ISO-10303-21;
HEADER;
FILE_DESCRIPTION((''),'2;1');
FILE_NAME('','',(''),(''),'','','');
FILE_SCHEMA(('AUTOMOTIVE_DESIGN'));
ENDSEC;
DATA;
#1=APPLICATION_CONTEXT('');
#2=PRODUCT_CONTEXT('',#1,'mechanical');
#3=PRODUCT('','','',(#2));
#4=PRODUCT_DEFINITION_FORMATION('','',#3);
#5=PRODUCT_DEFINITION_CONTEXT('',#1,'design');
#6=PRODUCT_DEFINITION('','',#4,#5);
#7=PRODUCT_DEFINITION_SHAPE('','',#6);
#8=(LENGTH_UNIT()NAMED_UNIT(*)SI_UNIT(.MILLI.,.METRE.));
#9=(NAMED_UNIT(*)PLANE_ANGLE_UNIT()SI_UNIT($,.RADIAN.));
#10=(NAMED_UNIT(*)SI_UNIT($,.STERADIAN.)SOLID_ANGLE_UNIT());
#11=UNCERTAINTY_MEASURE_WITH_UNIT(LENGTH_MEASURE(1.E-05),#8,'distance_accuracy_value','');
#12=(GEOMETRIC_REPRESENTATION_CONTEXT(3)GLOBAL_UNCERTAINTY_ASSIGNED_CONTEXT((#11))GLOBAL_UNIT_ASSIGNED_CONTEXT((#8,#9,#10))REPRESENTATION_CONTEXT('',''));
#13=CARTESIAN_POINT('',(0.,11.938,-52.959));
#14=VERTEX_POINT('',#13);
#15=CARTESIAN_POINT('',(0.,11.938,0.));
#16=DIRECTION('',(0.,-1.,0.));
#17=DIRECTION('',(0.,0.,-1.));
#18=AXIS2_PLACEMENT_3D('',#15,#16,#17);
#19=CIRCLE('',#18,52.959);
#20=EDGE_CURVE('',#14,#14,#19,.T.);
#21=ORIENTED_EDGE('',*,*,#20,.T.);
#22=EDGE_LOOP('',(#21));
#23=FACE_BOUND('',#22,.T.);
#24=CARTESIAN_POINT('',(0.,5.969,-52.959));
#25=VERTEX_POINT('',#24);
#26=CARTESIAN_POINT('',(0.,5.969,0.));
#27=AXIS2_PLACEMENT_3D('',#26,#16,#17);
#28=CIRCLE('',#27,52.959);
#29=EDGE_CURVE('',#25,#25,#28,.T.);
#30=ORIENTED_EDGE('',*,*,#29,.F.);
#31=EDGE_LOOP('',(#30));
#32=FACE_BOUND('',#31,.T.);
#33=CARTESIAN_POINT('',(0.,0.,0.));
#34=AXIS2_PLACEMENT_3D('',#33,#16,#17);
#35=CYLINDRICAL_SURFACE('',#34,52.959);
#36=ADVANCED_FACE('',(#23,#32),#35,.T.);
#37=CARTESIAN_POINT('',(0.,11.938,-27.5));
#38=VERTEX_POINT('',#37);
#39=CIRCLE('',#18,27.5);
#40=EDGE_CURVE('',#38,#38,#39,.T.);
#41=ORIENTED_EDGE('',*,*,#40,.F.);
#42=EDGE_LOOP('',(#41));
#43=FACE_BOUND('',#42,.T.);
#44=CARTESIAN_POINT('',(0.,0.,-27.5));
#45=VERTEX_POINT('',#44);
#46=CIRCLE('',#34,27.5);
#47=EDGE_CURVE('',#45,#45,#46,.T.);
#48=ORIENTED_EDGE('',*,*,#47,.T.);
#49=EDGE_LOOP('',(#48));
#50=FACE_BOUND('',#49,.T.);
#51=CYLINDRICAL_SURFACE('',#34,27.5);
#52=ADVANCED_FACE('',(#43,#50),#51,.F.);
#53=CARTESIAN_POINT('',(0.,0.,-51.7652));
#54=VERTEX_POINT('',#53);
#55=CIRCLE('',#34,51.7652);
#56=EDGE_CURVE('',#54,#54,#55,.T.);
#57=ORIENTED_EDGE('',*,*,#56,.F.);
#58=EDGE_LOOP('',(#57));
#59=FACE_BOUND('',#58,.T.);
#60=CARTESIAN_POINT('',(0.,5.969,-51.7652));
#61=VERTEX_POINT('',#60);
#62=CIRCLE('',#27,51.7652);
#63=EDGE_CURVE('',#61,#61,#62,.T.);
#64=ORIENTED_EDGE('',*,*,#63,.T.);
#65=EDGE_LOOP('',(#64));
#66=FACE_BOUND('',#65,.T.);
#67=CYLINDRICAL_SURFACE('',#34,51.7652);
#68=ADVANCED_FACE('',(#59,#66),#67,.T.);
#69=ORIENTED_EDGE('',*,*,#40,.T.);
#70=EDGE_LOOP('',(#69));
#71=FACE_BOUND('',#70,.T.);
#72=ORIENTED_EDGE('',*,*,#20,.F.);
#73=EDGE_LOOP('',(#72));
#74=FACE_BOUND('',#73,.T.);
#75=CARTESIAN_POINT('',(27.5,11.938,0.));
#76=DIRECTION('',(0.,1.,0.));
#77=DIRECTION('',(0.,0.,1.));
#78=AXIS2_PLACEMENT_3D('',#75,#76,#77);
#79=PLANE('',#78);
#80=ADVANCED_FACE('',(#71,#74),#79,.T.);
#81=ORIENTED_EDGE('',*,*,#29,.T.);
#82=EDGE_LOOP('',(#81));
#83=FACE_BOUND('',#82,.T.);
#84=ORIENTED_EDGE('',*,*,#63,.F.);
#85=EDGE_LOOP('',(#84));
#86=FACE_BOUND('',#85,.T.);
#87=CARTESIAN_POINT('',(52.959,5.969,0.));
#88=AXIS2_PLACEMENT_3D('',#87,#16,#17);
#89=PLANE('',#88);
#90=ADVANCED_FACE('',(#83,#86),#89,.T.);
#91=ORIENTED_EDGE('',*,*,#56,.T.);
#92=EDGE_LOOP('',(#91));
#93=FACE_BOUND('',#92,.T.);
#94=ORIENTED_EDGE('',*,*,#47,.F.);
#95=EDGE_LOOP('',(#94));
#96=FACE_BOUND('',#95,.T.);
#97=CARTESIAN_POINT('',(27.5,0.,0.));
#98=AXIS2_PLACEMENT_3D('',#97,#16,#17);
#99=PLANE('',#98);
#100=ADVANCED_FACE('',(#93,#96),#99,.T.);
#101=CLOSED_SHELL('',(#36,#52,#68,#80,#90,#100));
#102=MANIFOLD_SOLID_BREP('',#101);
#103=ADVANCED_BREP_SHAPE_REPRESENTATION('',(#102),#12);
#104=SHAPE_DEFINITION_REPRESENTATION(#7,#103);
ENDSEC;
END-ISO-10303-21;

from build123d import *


with BuildPart() as part:
    # Sketch1 → Revolve1 (revolve)
    with BuildSketch(Plane.XY, mode=Mode.PRIVATE) as revolve1_sk:
        Polygon((27.5, 11.938), (52.959, 11.938), (52.959, 5.969), (51.7652, 5.969), (51.7652, 0), (27.5, 0), align=None)
    revolve(revolve1_sk.sketch.rotate(Axis((0, 0, 0), (0, 1, 0)), 90), axis=Axis((0, 0, 0), (0, 1, 0)))


solid = part.part
